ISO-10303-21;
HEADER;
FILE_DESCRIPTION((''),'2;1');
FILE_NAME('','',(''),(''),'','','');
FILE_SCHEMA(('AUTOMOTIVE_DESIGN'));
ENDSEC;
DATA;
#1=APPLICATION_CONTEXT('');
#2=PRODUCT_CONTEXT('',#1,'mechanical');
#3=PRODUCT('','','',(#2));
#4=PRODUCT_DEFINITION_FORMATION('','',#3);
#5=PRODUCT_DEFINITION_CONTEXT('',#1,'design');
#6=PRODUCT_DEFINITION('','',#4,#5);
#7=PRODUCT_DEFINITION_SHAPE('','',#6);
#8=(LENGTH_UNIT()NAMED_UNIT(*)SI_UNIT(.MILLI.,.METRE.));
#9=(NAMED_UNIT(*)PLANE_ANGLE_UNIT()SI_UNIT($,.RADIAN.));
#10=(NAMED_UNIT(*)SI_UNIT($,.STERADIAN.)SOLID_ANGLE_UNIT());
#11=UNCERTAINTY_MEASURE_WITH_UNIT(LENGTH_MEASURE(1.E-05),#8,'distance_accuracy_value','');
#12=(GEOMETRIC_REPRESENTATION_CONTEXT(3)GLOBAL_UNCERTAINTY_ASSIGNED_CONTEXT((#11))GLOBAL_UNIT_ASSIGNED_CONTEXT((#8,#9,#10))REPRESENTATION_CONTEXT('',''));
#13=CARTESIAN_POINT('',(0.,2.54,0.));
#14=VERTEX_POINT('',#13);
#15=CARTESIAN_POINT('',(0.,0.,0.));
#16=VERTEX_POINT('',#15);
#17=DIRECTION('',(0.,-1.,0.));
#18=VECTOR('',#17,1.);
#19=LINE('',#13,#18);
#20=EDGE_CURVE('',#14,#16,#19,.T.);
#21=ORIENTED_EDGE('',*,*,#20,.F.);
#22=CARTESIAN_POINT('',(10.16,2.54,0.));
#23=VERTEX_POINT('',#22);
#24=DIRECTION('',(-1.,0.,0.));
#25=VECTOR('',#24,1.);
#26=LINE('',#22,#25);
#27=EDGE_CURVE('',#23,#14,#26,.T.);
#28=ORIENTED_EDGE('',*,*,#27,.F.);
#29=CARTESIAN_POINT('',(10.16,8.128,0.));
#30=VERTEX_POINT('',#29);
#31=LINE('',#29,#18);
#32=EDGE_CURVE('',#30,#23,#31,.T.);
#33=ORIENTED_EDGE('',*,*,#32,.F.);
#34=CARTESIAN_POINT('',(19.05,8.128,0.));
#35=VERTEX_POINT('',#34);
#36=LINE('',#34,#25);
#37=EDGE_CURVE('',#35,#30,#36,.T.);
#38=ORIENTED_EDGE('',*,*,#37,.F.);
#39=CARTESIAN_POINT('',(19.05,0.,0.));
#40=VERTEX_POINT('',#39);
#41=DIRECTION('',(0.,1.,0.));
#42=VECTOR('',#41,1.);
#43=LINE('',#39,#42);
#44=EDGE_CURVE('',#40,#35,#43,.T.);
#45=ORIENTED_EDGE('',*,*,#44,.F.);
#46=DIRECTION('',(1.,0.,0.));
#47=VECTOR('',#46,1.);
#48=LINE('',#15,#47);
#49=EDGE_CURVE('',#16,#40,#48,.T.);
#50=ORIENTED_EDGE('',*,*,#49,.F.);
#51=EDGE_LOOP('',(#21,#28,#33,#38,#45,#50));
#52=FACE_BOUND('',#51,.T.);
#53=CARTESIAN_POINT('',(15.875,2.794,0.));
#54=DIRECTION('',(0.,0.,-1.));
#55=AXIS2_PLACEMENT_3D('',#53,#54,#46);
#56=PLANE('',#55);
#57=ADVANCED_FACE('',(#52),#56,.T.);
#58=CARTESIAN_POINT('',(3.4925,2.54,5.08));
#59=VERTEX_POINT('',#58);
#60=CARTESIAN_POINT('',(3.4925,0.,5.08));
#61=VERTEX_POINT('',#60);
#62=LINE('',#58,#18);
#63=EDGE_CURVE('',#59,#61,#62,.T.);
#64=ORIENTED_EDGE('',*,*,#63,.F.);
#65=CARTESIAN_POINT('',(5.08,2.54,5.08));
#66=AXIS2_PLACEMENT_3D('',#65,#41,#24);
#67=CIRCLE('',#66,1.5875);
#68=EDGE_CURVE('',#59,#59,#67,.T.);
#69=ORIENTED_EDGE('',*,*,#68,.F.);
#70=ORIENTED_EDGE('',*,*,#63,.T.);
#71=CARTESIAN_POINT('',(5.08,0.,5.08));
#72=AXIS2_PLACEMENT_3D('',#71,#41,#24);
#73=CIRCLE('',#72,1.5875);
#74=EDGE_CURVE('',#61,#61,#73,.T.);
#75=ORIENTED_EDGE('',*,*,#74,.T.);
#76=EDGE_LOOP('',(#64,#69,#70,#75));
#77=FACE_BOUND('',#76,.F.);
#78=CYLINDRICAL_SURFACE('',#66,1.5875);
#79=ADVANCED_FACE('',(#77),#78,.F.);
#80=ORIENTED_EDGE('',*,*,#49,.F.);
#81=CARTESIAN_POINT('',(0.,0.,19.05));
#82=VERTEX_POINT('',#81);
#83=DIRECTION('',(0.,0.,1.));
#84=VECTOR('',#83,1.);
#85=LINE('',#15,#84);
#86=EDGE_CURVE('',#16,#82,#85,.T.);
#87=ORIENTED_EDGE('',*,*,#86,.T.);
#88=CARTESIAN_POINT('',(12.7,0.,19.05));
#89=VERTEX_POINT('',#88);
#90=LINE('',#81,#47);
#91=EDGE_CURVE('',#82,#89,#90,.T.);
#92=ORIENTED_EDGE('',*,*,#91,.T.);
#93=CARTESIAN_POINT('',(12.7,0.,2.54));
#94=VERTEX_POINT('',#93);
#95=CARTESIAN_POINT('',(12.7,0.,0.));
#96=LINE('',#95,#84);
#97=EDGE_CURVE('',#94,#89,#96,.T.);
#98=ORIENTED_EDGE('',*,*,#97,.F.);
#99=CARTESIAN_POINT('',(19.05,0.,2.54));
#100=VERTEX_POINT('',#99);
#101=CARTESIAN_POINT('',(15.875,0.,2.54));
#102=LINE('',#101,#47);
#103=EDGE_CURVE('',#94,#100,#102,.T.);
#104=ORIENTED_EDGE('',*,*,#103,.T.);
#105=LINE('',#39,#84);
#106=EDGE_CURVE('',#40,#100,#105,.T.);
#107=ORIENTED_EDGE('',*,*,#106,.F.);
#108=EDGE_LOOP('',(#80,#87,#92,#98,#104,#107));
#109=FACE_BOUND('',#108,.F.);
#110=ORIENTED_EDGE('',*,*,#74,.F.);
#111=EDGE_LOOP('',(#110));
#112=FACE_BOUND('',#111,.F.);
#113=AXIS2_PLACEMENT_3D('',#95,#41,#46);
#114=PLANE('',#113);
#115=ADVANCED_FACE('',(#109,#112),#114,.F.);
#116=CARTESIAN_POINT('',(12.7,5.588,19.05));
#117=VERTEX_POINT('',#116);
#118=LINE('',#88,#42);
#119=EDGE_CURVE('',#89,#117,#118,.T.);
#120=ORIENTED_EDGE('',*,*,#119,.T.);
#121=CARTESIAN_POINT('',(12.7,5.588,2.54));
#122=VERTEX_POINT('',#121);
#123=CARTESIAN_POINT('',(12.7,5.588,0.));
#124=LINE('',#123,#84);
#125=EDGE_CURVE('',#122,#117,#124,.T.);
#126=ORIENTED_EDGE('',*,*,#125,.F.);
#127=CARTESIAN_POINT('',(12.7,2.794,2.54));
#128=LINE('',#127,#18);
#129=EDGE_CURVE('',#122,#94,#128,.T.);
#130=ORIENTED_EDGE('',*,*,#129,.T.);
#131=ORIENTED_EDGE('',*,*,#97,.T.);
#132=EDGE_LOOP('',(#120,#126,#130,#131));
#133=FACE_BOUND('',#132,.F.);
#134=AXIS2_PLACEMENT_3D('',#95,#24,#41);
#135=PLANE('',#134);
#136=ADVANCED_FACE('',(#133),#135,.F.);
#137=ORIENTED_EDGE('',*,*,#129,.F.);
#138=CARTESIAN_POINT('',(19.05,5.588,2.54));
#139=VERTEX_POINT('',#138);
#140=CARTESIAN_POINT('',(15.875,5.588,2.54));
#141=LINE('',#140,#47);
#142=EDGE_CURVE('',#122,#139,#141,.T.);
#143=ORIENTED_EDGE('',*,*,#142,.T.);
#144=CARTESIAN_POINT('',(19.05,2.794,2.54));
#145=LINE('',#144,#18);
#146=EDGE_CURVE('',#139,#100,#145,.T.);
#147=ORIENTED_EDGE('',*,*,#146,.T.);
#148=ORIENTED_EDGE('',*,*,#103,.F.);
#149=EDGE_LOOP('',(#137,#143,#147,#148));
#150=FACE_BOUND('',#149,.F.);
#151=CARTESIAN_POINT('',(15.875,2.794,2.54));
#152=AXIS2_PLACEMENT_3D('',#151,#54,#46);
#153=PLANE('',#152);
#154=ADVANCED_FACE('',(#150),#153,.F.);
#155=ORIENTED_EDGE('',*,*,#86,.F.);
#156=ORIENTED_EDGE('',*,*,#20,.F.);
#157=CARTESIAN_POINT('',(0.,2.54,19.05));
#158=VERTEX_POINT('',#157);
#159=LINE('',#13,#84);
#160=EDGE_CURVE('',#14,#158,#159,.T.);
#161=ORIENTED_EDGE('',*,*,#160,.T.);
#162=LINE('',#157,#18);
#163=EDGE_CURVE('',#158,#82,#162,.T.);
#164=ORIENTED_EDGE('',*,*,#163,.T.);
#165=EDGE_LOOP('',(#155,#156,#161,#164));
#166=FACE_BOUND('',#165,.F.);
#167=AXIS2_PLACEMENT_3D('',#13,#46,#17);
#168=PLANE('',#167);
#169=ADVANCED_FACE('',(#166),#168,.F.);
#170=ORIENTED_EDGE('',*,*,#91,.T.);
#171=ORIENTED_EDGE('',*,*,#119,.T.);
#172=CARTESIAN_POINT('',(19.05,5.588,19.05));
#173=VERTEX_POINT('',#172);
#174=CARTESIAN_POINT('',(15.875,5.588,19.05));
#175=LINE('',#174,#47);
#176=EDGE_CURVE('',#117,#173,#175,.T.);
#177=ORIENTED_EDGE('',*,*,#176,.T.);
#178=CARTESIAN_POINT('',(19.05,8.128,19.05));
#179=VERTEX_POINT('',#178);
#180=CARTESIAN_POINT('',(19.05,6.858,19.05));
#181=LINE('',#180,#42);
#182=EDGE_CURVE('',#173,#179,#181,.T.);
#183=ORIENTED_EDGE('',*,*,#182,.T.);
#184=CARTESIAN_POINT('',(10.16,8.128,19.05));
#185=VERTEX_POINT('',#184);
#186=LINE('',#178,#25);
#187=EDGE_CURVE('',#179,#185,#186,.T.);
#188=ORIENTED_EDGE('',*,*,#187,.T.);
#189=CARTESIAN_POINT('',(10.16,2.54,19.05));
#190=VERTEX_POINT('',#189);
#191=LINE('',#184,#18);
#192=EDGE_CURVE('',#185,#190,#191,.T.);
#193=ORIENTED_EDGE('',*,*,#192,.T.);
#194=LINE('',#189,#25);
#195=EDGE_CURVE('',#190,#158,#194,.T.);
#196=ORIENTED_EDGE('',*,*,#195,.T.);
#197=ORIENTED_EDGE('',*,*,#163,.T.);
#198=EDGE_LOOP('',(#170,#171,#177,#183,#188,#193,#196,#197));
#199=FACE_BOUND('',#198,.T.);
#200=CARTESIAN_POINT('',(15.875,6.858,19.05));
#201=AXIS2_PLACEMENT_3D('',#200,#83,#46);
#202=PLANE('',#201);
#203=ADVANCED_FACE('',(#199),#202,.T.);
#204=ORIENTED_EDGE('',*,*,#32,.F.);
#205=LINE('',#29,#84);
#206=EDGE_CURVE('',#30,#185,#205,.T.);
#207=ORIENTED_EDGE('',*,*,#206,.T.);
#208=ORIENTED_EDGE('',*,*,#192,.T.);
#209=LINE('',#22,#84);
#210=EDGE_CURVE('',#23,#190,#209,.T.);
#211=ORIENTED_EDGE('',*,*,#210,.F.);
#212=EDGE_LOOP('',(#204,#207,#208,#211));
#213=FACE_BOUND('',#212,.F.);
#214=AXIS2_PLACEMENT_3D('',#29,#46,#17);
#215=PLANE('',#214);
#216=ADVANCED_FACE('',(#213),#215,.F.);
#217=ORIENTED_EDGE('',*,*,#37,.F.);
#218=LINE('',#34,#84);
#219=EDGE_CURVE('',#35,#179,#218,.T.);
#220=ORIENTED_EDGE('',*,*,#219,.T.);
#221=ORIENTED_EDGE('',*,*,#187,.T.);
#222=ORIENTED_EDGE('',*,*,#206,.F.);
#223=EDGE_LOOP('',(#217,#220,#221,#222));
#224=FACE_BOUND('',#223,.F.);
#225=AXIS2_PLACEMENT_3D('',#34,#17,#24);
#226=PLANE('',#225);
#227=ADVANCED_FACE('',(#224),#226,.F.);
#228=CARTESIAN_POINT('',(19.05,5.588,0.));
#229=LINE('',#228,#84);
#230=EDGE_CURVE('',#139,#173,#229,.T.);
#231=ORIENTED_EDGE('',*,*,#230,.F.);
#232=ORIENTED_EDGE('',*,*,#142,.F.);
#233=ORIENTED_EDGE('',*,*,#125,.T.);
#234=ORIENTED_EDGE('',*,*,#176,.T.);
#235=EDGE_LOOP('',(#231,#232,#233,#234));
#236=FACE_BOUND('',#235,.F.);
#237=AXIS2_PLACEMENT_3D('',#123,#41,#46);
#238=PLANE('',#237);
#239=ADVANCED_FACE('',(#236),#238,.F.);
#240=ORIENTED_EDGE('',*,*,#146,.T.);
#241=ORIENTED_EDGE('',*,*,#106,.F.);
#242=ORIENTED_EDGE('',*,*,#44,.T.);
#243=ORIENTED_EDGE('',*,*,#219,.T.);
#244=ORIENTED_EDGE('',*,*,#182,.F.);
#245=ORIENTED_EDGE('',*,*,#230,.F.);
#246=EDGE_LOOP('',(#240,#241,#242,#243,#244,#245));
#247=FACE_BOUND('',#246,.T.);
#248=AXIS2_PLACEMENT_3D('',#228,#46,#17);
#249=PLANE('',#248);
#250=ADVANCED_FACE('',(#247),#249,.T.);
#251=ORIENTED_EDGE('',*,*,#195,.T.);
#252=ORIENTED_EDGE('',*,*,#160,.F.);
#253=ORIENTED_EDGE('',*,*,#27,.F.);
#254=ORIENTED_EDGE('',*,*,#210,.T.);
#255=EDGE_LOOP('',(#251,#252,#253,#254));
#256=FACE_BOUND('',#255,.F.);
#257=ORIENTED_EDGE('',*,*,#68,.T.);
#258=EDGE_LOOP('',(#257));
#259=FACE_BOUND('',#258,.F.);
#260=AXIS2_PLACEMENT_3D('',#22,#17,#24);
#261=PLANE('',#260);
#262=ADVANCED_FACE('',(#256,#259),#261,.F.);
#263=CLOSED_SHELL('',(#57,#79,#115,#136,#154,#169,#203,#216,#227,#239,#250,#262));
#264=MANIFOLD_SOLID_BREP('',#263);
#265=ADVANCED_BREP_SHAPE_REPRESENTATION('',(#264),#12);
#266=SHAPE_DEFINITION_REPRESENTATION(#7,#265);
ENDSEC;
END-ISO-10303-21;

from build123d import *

# Parameters (mm, degrees)
F0_W     = 6.35
F0_H     = 2.54
F1_DEPTH = 19.05
F2_W     = 6.35
F2_H     = 5.588
F3_DEPTH = 2.54
F4_R     = 1.5875
F5_DEPTH = 25.4


with BuildPart() as f1:
    # F0 (on Top) → F1 (new body)
    with BuildSketch(Plane.XY):
        with Locations((15.875, 6.858)):
            Rectangle(F0_W, F0_H)
        Polygon((10.16, 2.54), (12.7, 2.54), (12.7, 5.588), (12.7, 8.128), (10.16, 8.128), align=None)
        Polygon((0, 2.54), (0, 0), (12.7, 0), (12.7, 2.54), (10.16, 2.54), align=None)
    extrude(amount=F1_DEPTH)

    # F2 (on face) → F3 (join)
    with BuildSketch(Plane(origin=(0, 0, 0), x_dir=(1, 0, 0), z_dir=(0, 0, -1))):
        with Locations((15.875, -2.794)):
            Rectangle(F2_W, F2_H)
    extrude(amount=-F3_DEPTH)

    # F4 (on face) → F5 (cut)
    with BuildSketch(Plane(origin=(0, 2.54, 0), x_dir=(-1, 0, 0), z_dir=(0, 1, 0))):
        with Locations((-5.08, 5.08)):
            Circle(F4_R)
    extrude(amount=-F5_DEPTH, mode=Mode.SUBTRACT)


solid = f1.part
